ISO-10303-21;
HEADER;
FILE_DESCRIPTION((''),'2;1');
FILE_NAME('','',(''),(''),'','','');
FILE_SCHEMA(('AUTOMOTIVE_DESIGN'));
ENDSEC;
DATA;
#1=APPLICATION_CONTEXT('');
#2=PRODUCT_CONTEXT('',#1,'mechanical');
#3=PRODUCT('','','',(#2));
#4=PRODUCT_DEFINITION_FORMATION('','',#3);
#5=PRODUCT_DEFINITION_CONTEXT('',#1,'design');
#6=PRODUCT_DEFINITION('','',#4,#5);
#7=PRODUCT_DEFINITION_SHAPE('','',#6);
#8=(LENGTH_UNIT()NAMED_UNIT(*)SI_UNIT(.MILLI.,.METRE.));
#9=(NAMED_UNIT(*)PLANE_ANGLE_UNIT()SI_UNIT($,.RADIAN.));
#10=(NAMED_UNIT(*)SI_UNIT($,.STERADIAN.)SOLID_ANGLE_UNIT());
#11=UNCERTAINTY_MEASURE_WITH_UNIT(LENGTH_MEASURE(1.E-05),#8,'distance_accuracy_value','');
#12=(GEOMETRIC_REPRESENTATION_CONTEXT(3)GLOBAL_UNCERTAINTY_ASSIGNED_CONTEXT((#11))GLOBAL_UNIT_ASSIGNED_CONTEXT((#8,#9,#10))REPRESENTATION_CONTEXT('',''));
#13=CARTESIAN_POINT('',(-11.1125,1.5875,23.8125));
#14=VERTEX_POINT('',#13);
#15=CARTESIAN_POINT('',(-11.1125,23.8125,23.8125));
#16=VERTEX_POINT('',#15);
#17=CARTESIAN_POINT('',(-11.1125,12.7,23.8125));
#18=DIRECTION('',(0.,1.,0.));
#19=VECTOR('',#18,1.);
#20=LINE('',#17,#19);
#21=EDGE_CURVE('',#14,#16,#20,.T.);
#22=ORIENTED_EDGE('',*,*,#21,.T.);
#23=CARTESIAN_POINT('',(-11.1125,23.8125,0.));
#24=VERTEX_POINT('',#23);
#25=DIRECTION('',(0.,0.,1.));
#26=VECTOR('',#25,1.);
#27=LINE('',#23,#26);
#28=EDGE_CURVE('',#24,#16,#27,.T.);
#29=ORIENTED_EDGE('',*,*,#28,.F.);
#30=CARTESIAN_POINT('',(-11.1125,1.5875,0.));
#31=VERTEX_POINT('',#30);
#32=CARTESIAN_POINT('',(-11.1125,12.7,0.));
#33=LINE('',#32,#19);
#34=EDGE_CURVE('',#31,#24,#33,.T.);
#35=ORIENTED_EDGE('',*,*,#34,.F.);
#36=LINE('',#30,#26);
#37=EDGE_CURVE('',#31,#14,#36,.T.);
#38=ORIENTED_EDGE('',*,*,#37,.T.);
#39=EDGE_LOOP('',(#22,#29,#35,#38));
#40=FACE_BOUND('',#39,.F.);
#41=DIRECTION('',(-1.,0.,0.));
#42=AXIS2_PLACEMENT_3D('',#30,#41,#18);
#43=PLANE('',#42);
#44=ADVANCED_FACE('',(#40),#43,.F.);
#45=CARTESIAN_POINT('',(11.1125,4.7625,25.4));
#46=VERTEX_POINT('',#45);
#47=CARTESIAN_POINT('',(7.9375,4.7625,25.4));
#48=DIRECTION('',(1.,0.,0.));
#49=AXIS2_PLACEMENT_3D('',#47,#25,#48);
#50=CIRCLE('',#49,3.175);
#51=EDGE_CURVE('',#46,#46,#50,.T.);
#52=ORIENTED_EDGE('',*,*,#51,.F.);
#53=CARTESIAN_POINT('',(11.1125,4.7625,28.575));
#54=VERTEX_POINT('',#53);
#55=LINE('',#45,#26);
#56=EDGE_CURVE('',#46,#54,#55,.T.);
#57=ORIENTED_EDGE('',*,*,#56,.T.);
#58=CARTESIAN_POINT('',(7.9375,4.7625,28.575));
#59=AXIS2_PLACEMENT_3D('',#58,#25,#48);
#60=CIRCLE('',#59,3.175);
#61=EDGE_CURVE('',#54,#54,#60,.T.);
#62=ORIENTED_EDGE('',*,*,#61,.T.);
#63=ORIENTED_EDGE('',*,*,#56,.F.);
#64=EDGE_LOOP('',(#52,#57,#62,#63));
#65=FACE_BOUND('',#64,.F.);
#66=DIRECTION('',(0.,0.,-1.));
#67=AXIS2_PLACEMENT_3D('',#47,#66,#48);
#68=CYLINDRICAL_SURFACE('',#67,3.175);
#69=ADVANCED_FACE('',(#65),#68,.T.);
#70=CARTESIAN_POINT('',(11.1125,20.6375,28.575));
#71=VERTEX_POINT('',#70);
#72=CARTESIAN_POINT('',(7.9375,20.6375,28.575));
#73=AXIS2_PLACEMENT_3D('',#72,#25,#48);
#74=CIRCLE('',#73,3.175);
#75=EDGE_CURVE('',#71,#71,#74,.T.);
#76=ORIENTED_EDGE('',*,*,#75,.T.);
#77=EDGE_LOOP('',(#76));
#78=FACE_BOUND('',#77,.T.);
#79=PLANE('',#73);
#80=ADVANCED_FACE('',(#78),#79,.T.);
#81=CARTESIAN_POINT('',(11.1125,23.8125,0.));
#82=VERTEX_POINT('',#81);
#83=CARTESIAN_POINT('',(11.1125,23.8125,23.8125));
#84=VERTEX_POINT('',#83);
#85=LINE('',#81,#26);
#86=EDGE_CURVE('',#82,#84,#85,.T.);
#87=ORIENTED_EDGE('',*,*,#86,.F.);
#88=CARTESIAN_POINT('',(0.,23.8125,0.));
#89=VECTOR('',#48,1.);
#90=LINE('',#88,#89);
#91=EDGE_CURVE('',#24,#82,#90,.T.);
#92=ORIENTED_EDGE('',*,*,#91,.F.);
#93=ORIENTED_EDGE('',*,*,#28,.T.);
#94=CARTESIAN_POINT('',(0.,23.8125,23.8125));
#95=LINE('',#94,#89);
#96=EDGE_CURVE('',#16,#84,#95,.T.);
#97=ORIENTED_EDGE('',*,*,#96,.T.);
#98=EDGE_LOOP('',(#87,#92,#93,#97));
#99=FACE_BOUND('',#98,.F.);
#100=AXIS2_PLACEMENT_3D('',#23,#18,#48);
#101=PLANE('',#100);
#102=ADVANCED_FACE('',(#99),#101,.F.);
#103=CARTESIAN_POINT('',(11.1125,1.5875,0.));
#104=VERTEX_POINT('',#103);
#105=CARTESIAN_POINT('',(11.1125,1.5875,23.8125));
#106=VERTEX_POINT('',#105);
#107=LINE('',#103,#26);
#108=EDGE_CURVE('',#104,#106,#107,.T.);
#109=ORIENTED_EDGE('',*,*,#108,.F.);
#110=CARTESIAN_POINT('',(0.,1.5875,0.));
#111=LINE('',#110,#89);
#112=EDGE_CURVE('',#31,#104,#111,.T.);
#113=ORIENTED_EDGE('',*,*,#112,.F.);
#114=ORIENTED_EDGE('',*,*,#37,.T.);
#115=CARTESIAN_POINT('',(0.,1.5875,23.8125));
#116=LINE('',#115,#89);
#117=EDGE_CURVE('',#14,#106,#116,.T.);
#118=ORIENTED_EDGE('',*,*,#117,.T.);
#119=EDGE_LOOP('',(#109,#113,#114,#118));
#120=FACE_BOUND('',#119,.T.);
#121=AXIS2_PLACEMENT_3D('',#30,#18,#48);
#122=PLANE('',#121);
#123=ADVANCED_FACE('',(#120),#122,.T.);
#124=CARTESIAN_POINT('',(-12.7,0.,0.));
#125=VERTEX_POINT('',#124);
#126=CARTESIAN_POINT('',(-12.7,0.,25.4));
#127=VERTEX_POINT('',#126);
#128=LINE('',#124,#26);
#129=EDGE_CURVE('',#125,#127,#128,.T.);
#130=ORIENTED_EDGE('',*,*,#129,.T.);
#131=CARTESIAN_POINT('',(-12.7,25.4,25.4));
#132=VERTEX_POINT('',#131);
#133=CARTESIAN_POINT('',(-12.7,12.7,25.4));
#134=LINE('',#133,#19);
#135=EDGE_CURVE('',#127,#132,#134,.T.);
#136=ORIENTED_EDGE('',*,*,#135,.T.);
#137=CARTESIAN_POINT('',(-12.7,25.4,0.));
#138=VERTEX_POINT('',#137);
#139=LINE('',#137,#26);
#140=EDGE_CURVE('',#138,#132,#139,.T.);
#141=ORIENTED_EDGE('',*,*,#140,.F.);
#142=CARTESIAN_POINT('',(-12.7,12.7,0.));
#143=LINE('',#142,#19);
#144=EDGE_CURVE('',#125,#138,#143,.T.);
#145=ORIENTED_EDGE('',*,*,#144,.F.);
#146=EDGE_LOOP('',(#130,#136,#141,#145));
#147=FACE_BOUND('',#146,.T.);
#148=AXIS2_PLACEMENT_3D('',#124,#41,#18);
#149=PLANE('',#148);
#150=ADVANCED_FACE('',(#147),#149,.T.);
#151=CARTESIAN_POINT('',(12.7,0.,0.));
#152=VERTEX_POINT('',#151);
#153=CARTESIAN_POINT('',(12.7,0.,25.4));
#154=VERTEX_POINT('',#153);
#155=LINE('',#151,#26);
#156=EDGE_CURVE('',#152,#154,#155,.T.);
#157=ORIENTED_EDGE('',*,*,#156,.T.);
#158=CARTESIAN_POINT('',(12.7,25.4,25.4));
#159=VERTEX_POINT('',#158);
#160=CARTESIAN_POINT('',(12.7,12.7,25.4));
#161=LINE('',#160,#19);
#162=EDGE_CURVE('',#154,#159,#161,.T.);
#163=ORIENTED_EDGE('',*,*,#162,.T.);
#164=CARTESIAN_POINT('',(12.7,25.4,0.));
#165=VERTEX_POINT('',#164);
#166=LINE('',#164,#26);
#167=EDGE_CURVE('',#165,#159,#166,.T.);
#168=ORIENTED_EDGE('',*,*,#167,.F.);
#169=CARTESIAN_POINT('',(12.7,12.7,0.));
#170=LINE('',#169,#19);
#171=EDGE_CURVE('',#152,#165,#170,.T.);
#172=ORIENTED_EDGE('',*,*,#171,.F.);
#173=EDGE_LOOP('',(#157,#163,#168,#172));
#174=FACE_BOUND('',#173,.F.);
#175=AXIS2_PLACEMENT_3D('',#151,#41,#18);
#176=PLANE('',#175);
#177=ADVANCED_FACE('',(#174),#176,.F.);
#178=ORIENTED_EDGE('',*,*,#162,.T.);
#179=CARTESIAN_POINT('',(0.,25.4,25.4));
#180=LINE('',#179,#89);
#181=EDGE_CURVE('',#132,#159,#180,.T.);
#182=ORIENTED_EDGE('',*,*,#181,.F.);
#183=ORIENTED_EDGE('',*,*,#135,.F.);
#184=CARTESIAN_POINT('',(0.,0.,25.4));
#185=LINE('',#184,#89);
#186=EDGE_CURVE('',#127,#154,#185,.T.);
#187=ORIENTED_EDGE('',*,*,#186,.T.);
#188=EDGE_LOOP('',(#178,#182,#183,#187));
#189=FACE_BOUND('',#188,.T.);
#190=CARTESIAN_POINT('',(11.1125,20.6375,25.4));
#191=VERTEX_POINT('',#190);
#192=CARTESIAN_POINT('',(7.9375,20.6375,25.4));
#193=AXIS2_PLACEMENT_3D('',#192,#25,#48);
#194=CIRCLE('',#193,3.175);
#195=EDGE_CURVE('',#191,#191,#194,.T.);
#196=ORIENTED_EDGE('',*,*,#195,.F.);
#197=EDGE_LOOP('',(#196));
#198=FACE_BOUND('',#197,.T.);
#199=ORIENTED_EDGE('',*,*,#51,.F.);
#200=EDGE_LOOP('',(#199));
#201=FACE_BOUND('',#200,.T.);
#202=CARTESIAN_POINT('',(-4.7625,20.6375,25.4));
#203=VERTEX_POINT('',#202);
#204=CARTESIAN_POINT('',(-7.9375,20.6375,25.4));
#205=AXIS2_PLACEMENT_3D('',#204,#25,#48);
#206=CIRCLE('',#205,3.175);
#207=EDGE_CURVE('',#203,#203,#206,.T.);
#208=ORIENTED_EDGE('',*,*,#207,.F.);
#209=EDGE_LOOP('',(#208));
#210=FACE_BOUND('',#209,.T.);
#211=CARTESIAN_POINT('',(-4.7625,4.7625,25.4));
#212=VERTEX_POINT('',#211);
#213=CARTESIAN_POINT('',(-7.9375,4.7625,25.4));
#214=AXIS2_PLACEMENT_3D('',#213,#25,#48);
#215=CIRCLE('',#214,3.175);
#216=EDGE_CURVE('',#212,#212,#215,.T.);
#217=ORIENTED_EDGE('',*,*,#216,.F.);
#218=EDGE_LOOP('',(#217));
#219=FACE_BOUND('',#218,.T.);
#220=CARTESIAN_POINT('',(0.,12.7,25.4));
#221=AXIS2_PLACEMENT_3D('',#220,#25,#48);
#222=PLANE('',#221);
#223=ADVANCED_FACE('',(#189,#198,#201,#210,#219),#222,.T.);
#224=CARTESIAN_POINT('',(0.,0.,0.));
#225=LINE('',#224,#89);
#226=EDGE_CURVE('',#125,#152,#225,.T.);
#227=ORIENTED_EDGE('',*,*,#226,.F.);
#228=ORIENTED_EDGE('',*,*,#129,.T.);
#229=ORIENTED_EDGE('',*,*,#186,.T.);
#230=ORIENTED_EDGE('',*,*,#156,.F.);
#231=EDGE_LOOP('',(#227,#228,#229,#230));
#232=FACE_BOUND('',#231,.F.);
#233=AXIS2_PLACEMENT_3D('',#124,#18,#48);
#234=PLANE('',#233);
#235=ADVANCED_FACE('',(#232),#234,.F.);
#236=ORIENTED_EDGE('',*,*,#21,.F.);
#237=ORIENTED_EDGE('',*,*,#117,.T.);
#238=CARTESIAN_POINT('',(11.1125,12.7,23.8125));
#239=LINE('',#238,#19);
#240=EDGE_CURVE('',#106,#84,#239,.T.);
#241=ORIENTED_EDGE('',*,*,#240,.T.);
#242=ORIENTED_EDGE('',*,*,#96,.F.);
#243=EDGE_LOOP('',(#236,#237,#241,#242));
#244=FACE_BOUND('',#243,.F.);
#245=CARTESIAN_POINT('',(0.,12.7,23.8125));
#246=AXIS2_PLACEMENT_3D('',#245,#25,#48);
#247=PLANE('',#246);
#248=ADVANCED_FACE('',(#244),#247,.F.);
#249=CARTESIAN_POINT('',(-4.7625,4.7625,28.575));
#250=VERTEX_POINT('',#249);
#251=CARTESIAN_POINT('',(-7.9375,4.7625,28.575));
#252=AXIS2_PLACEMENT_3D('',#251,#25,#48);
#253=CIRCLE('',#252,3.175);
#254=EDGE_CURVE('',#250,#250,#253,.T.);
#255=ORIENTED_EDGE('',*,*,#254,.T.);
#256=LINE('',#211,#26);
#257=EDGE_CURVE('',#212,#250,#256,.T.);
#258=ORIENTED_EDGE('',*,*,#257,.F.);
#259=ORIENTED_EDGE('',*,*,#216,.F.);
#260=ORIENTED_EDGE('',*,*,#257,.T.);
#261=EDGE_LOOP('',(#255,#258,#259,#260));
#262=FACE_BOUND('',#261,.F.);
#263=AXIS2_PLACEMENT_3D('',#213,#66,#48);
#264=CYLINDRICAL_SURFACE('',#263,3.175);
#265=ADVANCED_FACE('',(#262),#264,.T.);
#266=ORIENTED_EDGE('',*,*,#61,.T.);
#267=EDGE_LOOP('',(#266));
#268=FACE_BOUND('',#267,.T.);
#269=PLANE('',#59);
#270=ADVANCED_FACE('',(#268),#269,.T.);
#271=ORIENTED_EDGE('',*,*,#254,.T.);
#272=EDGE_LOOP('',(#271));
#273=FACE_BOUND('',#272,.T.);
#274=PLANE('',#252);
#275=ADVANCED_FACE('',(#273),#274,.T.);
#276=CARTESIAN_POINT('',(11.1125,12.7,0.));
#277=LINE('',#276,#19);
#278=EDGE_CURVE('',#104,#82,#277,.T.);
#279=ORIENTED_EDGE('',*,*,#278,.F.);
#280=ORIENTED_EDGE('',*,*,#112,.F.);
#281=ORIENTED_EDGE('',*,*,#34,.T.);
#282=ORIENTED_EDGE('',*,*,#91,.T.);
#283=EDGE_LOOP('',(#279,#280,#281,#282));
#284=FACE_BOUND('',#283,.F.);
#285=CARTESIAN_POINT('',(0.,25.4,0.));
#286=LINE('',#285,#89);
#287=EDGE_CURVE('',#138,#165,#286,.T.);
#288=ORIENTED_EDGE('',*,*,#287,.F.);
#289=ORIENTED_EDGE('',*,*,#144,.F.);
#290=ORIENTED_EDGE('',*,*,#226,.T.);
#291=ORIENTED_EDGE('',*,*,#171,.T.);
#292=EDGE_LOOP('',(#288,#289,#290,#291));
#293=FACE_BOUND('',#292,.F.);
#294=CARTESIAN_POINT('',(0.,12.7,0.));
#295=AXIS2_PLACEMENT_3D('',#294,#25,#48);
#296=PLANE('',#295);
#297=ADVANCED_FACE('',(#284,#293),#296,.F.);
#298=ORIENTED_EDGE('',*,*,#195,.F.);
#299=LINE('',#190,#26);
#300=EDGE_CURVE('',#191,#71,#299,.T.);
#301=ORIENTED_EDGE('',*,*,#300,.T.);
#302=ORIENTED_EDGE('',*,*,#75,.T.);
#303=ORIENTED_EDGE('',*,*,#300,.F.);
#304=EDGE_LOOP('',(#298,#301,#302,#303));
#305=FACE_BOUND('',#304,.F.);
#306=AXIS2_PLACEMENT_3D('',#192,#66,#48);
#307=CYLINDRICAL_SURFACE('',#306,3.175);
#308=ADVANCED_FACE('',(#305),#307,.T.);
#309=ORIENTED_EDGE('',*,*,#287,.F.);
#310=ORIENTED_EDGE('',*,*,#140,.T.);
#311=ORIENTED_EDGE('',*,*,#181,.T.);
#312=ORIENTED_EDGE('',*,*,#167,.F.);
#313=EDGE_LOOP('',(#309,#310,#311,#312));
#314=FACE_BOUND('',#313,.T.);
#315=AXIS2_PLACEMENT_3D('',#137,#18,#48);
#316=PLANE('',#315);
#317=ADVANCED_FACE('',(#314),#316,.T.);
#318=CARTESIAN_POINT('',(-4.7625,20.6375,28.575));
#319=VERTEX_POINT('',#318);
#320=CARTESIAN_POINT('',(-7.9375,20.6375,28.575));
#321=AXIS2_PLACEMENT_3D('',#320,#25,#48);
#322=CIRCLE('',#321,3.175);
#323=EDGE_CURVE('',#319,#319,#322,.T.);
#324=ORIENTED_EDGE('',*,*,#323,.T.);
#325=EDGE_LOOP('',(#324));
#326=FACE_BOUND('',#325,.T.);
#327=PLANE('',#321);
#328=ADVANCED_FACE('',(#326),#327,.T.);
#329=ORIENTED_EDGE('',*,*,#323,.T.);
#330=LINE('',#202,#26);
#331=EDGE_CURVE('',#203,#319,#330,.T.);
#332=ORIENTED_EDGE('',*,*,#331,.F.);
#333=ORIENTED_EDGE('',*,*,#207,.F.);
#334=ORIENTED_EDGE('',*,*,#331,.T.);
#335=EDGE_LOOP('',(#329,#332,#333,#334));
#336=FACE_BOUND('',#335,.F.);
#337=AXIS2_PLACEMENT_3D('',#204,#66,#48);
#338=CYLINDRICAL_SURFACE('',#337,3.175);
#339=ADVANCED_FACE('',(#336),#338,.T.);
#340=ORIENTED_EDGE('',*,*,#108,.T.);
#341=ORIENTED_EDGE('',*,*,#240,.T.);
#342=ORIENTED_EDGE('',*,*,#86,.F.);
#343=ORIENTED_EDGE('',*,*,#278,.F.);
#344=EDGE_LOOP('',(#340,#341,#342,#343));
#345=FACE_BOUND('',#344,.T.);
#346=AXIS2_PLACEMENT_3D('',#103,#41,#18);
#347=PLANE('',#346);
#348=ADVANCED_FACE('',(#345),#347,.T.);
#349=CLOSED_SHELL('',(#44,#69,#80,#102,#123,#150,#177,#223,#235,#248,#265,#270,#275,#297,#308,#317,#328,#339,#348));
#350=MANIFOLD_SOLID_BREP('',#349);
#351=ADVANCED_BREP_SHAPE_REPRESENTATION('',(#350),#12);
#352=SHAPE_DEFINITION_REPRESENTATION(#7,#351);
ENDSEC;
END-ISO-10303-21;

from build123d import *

# Parameters (mm, degrees)
F0_W     = 25.4
F0_H     = 25.4
F0_W_2   = 22.225
F0_H_2   = 22.225
F1_DEPTH = 25.4
F2_DEPTH = 23.8125
F3_R     = 3.175
F4_DEPTH = 3.175


with BuildPart() as f1:
    # F0 (on Top) → F1 (new body)
    with BuildSketch(Plane.XY):
        with Locations((0, 12.7)):
            Rectangle(F0_W, F0_H)
        with Locations((0, 12.7)):
            Rectangle(F0_W_2, F0_H_2, mode=Mode.SUBTRACT)
        with Locations((0, 12.7)):
            Rectangle(F0_W_2, F0_H_2)
    extrude(amount=F1_DEPTH)

    # F0 (on Top) → F2 (cut)
    with BuildSketch(Plane.XY):
        with Locations((0, 12.7)):
            Rectangle(F0_W_2, F0_H_2)
    extrude(amount=F2_DEPTH, mode=Mode.SUBTRACT)

    # F3 (on face) → F4 (join)
    with BuildSketch(Plane.XY.offset(25.4)):
        with Locations((7.9375, 4.7625)):
            Circle(F3_R)
        with Locations((7.9375, 20.6375)):
            Circle(F3_R)
        with Locations((-7.9375, 20.6375)):
            Circle(F3_R)
        with Locations((-7.9375, 4.7625)):
            Circle(F3_R)
    extrude(amount=F4_DEPTH)


solid = f1.part
